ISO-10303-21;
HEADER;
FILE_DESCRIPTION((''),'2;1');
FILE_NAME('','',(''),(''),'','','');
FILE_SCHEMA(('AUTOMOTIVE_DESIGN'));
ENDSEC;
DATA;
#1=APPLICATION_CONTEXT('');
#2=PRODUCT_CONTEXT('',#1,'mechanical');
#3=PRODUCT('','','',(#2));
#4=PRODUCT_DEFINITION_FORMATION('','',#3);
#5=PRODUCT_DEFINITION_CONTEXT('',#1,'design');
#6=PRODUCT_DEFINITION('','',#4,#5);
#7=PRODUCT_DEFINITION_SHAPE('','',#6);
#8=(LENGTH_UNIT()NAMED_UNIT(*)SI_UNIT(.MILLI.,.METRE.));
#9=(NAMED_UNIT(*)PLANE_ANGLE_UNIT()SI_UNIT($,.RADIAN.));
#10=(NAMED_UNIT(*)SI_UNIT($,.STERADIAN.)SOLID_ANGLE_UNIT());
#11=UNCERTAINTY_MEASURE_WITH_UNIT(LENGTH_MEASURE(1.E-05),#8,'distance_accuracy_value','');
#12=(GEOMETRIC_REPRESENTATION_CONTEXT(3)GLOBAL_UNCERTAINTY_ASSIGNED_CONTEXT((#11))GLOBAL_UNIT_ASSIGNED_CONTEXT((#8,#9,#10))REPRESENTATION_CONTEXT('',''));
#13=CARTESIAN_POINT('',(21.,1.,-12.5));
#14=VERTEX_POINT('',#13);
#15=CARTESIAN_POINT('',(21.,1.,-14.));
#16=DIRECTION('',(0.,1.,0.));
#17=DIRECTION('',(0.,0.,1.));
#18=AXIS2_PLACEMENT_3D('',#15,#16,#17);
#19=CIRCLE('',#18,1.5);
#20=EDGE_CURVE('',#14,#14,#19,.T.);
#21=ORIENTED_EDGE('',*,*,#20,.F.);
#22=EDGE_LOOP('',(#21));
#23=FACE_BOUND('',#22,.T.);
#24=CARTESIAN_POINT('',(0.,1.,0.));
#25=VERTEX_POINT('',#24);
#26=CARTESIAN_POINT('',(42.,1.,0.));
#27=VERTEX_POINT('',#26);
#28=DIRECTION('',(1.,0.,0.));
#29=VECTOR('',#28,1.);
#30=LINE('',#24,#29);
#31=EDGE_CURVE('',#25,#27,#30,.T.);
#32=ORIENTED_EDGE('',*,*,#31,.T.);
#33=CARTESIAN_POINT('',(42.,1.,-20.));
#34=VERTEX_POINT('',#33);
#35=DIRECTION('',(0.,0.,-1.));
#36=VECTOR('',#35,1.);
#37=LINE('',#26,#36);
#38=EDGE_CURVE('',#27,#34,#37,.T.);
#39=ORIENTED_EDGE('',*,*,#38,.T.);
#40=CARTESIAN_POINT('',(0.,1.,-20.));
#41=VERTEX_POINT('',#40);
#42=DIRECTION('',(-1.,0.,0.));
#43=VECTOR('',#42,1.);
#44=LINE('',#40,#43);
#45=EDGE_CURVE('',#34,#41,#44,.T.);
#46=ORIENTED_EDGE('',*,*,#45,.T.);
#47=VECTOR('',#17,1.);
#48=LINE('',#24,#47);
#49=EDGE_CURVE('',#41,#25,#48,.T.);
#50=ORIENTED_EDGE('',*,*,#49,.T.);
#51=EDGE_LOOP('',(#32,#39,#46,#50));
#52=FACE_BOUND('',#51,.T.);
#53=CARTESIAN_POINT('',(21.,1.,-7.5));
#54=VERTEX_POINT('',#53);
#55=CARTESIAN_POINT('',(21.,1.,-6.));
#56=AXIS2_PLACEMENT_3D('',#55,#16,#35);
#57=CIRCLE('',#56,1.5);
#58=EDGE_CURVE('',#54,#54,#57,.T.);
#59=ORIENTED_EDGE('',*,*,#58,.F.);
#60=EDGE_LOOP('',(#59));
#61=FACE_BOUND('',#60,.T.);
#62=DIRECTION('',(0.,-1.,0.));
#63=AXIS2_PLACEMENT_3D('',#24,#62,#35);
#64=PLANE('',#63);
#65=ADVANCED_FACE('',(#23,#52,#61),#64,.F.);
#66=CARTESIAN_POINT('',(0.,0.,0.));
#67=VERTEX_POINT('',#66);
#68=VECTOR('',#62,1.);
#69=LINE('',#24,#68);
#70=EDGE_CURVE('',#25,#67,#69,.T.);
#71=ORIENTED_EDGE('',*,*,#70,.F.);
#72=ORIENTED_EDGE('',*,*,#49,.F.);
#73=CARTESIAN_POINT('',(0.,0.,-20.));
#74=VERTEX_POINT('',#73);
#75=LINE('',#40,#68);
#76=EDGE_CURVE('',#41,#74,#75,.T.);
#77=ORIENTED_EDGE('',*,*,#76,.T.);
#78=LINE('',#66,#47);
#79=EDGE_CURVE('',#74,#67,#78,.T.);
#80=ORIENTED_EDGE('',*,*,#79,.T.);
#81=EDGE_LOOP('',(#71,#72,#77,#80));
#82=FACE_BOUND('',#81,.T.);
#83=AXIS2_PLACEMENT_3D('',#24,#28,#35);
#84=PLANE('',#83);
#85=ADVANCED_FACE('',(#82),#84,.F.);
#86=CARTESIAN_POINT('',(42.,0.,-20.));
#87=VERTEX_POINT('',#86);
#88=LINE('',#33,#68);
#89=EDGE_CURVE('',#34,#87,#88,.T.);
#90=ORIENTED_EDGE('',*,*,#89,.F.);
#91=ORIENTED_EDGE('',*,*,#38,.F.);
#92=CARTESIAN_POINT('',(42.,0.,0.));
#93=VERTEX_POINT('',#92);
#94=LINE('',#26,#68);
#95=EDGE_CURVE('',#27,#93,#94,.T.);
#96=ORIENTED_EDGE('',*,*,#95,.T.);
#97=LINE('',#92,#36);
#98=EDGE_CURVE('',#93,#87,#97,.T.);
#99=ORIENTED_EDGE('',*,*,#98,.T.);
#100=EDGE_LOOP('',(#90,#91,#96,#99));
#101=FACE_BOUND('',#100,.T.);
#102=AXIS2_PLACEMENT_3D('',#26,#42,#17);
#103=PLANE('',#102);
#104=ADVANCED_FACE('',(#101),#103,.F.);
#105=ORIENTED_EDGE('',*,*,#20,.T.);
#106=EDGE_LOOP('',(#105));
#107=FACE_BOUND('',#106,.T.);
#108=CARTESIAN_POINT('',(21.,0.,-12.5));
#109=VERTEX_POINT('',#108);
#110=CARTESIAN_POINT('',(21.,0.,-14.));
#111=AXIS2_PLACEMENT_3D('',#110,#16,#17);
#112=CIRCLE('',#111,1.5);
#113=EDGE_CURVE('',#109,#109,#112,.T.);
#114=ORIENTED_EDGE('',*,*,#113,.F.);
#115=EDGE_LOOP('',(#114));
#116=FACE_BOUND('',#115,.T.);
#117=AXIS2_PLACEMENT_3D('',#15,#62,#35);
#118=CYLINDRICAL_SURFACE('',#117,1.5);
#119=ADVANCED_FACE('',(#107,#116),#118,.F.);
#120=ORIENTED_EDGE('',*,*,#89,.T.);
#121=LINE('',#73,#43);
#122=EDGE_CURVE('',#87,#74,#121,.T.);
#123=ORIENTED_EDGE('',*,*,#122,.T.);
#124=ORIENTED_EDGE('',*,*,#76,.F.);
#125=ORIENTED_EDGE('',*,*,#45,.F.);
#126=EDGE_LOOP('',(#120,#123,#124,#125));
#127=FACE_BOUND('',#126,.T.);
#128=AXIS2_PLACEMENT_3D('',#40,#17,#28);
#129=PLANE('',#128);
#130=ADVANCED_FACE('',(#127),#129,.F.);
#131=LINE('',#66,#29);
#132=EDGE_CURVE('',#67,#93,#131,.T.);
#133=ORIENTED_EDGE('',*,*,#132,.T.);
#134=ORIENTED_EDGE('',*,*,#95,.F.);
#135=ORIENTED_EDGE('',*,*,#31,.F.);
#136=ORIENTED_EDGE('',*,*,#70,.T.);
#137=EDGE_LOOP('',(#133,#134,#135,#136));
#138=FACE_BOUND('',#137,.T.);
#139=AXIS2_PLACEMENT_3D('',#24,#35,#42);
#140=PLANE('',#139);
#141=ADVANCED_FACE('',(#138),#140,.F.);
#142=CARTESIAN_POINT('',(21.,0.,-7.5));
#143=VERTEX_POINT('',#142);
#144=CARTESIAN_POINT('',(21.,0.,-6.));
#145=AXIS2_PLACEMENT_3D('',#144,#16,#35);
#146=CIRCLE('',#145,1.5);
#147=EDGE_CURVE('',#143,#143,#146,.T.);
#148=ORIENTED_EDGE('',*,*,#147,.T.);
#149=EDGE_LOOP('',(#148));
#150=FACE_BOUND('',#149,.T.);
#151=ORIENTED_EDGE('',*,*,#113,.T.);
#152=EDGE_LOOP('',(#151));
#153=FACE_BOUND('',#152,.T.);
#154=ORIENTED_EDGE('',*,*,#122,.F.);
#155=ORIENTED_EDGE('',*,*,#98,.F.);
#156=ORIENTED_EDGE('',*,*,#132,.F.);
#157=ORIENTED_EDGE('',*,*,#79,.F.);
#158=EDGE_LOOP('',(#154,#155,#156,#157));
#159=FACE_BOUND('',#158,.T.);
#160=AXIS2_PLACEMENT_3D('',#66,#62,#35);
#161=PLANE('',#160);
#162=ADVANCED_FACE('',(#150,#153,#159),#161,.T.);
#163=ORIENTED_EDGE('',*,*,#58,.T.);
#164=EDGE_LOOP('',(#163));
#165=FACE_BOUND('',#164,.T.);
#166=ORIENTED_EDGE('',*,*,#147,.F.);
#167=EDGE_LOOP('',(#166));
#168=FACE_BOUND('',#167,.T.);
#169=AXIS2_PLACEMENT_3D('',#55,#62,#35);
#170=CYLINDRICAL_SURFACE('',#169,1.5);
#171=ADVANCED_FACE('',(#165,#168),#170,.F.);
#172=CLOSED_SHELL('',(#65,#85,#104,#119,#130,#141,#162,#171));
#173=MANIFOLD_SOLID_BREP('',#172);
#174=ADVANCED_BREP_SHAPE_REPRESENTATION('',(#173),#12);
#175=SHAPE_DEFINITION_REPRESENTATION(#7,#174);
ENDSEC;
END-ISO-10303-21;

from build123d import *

# Parameters (mm, degrees)
SKETCH_1_W      = 42
SKETCH_1_H      = 20
SKETCH_1_R      = 1.5
EXTRUDE_1_DEPTH = 1


with BuildPart() as part:
    # Эскиз1 → Бобышка-Вытянуть1 (new body)
    with BuildSketch(Plane(origin=(0, 0, 0), x_dir=(1, 0, 0), z_dir=(0, 1, 0))):
        with Locations((21, 10)):
            Rectangle(SKETCH_1_W, SKETCH_1_H)
        with Locations((21, 14)):
            Circle(SKETCH_1_R, mode=Mode.SUBTRACT)
        with Locations((21, 6)):
            Circle(SKETCH_1_R, mode=Mode.SUBTRACT)
    extrude(amount=EXTRUDE_1_DEPTH)


solid = part.part
